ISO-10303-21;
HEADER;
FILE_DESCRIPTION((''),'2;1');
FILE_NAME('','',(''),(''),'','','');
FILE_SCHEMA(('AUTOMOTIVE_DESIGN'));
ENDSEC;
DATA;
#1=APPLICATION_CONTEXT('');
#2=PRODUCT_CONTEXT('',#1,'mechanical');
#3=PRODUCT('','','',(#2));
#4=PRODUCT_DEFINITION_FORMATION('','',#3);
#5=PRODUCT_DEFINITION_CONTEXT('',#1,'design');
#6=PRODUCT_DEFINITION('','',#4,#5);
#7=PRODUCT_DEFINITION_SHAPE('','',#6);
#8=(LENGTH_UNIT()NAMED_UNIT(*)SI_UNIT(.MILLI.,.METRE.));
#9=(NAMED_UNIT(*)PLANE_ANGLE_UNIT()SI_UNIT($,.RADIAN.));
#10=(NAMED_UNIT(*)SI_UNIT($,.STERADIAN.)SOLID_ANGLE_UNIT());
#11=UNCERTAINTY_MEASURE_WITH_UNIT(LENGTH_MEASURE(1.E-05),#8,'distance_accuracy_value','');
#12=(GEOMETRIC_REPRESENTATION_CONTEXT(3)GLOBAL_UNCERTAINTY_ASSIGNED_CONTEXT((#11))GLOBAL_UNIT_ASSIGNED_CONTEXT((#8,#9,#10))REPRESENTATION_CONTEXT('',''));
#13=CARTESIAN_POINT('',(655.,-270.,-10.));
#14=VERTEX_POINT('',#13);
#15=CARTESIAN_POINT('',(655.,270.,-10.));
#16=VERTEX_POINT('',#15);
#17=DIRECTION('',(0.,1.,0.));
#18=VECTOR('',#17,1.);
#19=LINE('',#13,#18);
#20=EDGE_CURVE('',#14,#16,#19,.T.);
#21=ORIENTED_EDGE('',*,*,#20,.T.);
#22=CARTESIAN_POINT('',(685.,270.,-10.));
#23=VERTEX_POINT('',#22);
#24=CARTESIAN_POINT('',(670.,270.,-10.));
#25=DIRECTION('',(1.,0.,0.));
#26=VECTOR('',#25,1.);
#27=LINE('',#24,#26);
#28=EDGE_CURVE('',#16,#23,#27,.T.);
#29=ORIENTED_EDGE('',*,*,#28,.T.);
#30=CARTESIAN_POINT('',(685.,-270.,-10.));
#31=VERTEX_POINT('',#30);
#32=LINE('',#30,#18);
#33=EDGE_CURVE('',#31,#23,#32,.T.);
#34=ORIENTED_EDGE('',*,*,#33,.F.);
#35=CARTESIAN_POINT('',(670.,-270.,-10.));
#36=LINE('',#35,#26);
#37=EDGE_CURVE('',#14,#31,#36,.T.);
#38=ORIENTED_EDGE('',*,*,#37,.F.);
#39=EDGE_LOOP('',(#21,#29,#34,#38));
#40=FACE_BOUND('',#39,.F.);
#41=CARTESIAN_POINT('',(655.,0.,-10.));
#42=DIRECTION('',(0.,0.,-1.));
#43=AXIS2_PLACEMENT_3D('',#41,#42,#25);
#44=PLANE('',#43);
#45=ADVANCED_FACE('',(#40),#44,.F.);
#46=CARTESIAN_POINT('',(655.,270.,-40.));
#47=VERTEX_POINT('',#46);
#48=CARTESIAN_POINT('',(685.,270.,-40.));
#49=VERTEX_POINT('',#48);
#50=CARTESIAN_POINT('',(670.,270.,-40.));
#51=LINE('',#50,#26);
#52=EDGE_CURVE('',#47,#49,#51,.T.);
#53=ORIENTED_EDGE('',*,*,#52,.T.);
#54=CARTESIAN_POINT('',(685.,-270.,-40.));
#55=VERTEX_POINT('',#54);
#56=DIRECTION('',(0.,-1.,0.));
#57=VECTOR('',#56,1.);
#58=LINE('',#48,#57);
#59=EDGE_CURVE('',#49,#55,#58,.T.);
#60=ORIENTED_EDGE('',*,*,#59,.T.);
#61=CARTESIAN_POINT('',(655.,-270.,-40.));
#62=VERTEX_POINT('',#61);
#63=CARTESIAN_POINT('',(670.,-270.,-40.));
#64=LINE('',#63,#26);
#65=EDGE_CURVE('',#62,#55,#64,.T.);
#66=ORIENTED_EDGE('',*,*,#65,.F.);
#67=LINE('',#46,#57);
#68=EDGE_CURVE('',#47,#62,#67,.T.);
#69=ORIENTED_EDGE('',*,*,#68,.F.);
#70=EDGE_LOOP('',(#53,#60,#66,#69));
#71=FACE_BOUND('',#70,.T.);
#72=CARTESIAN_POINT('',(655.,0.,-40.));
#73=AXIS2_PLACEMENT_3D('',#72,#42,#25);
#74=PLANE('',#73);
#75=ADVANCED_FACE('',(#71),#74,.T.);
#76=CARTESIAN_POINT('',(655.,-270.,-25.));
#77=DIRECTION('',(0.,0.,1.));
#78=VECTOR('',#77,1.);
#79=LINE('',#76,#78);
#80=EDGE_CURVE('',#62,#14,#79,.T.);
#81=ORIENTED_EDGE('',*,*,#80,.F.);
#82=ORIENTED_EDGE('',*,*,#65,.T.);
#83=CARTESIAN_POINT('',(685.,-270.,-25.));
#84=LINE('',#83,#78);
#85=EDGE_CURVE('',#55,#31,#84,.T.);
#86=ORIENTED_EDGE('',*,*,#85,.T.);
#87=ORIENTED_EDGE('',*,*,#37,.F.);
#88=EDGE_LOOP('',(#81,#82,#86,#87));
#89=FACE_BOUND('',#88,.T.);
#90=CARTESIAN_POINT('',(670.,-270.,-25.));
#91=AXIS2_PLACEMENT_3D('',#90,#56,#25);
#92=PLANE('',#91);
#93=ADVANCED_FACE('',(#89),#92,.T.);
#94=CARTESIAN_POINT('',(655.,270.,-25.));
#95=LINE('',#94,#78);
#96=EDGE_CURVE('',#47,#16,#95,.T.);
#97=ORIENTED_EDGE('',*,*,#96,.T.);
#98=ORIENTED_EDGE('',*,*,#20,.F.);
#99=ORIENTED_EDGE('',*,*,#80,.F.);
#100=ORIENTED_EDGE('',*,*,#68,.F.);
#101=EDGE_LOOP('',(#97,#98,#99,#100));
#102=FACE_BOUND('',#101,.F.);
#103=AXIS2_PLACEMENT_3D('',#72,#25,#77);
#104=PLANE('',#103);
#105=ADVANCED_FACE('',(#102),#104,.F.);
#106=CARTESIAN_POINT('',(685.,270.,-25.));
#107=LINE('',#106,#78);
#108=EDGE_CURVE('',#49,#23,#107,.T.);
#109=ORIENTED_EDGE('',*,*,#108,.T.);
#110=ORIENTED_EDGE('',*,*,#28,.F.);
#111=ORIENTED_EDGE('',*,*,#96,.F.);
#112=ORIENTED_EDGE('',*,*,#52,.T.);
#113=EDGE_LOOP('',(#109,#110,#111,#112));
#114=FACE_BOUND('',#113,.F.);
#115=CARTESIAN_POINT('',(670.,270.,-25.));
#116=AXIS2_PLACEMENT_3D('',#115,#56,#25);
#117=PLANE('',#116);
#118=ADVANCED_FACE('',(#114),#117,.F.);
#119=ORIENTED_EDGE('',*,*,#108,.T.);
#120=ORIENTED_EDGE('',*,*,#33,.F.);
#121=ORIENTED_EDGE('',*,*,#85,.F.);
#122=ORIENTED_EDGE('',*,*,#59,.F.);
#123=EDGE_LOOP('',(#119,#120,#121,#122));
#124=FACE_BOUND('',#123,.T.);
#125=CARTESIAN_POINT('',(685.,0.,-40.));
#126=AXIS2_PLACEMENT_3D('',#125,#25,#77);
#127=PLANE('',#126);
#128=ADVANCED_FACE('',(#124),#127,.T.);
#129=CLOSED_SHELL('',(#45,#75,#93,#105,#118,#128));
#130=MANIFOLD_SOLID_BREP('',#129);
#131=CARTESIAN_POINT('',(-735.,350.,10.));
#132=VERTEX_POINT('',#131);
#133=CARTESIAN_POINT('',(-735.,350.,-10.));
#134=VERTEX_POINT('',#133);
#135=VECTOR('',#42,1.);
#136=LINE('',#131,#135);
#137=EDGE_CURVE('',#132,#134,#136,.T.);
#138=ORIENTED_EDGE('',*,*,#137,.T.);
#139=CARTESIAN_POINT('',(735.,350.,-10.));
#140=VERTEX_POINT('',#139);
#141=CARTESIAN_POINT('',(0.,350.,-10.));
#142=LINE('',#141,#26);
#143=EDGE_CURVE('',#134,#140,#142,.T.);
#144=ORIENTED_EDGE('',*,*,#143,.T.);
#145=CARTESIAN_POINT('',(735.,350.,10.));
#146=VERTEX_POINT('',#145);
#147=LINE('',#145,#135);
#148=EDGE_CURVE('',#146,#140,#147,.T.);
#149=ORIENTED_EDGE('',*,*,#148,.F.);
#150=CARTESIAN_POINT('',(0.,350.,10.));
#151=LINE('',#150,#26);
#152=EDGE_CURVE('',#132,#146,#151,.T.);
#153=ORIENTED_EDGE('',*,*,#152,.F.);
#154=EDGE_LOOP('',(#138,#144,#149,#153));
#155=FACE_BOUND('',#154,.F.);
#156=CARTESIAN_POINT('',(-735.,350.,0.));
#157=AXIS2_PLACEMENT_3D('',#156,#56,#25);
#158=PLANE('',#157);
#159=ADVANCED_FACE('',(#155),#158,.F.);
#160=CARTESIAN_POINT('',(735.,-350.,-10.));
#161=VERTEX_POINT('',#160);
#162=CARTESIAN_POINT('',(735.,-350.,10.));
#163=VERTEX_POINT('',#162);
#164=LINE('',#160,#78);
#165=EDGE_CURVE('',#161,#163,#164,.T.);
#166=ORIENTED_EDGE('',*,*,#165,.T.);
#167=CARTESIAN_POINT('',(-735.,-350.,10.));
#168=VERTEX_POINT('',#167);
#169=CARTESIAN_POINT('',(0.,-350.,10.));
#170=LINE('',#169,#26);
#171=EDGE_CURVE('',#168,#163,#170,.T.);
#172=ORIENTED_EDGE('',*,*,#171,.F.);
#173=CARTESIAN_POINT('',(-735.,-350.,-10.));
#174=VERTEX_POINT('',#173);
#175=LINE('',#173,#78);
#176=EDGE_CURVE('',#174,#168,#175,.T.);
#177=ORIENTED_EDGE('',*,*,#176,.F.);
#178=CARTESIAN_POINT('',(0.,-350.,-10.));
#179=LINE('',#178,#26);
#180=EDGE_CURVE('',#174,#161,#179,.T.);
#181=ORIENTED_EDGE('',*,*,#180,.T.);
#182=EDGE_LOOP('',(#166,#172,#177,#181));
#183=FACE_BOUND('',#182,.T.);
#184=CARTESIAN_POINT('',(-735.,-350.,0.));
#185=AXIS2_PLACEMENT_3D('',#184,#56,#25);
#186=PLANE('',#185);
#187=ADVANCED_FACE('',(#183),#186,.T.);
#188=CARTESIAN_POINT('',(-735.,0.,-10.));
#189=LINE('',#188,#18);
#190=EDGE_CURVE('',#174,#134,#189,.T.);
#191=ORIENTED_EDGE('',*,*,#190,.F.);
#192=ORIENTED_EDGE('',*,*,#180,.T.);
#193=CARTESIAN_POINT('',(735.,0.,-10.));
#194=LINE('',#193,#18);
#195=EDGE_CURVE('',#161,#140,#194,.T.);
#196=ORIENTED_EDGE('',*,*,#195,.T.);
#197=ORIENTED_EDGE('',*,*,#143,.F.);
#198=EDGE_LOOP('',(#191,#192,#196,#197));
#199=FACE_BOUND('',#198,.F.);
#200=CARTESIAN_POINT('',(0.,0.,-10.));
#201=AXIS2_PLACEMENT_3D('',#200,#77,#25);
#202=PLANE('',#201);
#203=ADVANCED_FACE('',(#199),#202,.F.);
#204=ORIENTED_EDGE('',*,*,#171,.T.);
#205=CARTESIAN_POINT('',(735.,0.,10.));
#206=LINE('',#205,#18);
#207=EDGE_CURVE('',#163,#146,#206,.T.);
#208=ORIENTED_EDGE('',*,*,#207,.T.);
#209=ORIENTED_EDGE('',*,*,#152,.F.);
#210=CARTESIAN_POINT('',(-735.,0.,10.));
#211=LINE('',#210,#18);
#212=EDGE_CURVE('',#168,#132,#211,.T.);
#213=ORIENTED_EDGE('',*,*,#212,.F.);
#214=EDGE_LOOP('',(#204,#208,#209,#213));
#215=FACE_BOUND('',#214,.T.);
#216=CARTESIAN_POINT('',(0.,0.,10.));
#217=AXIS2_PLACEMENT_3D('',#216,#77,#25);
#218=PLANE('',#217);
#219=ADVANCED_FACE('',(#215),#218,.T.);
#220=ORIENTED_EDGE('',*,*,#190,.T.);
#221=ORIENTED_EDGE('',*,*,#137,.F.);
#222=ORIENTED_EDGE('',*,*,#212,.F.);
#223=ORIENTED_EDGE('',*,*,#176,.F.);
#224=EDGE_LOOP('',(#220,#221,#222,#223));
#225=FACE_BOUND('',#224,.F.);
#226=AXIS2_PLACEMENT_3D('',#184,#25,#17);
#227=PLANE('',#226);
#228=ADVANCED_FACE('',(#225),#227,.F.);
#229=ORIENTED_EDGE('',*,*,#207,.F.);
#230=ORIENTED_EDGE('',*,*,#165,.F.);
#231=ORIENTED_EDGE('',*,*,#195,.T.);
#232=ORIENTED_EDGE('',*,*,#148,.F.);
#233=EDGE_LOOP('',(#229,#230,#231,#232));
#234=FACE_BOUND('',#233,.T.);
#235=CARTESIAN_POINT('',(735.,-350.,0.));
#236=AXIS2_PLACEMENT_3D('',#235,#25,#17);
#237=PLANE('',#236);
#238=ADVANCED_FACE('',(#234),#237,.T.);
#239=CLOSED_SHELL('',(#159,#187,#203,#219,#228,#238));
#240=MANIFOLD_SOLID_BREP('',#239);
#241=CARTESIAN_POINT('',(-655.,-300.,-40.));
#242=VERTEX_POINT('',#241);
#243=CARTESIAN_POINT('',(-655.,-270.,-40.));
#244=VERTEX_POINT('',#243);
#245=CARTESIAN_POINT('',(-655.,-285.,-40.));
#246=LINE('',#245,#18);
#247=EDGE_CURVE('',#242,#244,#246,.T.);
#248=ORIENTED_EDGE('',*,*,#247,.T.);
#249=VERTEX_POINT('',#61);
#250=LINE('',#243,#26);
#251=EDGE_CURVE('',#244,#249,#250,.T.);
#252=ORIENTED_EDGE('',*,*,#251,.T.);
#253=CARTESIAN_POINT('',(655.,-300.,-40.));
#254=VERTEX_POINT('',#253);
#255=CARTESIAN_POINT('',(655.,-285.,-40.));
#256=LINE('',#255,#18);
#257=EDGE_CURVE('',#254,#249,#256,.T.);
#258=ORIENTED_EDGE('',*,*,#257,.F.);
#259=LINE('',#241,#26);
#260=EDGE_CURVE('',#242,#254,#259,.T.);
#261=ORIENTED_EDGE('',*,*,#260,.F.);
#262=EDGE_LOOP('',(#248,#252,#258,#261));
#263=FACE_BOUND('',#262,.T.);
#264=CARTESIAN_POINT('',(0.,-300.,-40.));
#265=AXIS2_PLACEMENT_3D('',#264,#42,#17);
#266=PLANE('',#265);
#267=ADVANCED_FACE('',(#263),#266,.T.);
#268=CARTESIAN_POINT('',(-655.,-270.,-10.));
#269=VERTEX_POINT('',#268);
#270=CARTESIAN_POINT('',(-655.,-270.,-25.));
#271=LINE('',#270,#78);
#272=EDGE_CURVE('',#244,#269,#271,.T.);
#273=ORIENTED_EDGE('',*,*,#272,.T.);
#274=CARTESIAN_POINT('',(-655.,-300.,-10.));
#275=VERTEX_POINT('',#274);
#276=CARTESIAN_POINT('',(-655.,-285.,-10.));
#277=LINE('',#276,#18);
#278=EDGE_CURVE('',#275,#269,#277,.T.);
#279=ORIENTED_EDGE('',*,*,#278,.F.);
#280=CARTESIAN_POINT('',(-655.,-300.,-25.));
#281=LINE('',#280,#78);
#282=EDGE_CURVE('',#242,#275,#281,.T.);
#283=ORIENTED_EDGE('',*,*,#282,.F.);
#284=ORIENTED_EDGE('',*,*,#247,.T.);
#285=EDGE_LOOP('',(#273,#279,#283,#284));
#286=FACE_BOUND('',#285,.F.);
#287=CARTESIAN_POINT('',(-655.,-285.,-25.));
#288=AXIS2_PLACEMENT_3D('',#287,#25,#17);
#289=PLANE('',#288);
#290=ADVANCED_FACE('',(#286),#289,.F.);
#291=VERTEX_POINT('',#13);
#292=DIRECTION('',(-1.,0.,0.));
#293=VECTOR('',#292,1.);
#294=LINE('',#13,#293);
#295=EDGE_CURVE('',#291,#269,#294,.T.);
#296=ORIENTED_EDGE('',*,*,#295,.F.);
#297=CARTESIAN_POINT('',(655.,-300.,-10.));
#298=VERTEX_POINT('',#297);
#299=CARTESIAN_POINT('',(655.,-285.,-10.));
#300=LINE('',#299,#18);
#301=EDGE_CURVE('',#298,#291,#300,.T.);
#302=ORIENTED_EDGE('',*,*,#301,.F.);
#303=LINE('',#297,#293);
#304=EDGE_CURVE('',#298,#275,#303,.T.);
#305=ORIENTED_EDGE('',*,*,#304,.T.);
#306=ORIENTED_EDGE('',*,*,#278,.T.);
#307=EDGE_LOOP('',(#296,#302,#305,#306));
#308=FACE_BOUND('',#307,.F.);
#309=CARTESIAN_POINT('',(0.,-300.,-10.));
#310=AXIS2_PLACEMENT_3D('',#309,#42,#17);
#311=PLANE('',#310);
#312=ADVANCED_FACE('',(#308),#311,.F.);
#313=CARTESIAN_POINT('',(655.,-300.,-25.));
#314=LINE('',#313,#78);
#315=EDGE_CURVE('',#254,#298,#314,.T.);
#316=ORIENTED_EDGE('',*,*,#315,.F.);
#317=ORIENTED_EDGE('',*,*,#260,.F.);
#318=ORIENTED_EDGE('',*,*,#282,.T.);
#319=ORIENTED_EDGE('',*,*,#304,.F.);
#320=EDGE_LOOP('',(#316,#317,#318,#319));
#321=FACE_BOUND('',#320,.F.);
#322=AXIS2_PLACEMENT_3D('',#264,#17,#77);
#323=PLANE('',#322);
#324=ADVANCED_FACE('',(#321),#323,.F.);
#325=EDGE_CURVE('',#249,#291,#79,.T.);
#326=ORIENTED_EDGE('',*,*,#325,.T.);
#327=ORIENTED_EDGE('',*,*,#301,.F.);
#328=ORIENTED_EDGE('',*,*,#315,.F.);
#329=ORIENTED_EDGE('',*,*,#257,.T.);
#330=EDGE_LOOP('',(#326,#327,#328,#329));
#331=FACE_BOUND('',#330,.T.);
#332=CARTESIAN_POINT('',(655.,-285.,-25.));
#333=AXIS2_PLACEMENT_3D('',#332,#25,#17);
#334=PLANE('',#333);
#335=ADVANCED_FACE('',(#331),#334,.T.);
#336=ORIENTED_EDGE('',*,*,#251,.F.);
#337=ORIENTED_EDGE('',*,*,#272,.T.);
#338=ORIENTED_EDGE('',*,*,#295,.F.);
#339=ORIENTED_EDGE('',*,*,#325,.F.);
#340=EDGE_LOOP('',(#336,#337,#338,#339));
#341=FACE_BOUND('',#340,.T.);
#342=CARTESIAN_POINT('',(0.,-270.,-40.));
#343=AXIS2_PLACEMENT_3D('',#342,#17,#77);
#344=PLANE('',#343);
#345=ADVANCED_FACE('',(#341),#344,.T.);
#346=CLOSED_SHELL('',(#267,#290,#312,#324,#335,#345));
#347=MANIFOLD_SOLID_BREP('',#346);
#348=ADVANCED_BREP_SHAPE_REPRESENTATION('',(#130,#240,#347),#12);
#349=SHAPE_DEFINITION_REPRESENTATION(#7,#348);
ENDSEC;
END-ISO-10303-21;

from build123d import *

# Parameters (mm, degrees)
F0_W     = 1470
F0_H     = 700
F1_DEPTH = 10
F2_W     = 30
F2_H     = 30
F3_DEPTH = 270
F4_W     = 30
F4_H     = 30
F5_DEPTH = 655


with BuildPart() as f1:
    # F0 (on Top) → F1 (new body, symmetric)
    with BuildSketch(Plane.XY):
        Rectangle(F0_W, F0_H)
    extrude(amount=F1_DEPTH, both=True)


with BuildPart() as f3:
    # F2 (on Front) → F3 (new body, symmetric)
    with BuildSketch(Plane.XZ):
        with Locations((670, -25)):
            Rectangle(F2_W, F2_H)
    extrude(amount=F3_DEPTH, both=True)


with BuildPart() as f5:
    # F4 (on Right) → F5 (new body, symmetric)
    with BuildSketch(Plane.YZ):
        with Locations((-285, -25)):
            Rectangle(F4_W, F4_H)
    extrude(amount=F5_DEPTH, both=True)


solid = Compound([f1.part, f3.part, f5.part])
